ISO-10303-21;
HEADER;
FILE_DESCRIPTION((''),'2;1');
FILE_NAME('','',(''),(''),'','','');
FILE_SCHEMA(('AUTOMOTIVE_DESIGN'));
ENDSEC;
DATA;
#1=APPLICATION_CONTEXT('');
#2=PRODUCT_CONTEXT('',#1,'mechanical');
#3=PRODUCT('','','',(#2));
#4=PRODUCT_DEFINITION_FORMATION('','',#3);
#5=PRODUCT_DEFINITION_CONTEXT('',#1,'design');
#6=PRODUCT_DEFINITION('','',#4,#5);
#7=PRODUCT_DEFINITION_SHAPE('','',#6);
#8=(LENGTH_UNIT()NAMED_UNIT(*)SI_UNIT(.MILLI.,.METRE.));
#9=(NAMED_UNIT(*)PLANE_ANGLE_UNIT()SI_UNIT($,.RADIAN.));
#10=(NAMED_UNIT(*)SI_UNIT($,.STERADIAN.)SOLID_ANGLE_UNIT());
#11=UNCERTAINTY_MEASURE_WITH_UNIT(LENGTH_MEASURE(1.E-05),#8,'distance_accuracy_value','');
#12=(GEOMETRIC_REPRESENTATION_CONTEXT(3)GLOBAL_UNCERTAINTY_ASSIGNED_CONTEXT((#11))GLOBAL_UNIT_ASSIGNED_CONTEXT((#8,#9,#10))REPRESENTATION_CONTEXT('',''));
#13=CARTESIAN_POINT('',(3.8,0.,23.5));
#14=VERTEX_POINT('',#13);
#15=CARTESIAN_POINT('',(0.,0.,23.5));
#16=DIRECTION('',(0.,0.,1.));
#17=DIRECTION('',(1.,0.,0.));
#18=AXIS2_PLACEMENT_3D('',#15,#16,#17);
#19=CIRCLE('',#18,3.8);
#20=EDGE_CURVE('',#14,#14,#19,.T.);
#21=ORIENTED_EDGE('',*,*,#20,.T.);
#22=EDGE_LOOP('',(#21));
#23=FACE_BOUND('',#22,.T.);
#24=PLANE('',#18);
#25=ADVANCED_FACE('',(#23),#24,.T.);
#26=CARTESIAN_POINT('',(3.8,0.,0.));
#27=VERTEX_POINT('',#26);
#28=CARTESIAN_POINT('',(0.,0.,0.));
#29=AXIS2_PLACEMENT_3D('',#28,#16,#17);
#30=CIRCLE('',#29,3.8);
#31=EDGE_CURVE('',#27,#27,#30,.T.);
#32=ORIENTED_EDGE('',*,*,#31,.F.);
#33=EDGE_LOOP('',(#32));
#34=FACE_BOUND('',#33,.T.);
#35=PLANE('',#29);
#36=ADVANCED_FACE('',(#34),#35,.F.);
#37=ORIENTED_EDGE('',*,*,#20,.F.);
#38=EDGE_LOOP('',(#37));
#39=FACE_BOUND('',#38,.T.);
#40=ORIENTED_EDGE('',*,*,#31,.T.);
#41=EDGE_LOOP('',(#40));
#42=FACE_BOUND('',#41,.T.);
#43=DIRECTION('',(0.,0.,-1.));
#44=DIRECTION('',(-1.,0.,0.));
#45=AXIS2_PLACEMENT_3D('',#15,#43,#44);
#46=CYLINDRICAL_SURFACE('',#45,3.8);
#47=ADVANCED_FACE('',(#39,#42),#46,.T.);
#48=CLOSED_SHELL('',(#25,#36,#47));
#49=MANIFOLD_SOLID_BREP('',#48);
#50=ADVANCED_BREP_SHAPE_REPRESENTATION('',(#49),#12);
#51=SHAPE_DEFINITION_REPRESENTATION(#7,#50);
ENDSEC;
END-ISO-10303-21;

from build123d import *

# Parameters (mm, degrees)
SKETCH_1_R  = 3.8
CABLE_DEPTH = 23.5


with BuildPart() as part:
    # 草图1 → Cable (new body)
    with BuildSketch(Plane.XY):
        Circle(SKETCH_1_R)
    extrude(amount=CABLE_DEPTH)


solid = part.part
